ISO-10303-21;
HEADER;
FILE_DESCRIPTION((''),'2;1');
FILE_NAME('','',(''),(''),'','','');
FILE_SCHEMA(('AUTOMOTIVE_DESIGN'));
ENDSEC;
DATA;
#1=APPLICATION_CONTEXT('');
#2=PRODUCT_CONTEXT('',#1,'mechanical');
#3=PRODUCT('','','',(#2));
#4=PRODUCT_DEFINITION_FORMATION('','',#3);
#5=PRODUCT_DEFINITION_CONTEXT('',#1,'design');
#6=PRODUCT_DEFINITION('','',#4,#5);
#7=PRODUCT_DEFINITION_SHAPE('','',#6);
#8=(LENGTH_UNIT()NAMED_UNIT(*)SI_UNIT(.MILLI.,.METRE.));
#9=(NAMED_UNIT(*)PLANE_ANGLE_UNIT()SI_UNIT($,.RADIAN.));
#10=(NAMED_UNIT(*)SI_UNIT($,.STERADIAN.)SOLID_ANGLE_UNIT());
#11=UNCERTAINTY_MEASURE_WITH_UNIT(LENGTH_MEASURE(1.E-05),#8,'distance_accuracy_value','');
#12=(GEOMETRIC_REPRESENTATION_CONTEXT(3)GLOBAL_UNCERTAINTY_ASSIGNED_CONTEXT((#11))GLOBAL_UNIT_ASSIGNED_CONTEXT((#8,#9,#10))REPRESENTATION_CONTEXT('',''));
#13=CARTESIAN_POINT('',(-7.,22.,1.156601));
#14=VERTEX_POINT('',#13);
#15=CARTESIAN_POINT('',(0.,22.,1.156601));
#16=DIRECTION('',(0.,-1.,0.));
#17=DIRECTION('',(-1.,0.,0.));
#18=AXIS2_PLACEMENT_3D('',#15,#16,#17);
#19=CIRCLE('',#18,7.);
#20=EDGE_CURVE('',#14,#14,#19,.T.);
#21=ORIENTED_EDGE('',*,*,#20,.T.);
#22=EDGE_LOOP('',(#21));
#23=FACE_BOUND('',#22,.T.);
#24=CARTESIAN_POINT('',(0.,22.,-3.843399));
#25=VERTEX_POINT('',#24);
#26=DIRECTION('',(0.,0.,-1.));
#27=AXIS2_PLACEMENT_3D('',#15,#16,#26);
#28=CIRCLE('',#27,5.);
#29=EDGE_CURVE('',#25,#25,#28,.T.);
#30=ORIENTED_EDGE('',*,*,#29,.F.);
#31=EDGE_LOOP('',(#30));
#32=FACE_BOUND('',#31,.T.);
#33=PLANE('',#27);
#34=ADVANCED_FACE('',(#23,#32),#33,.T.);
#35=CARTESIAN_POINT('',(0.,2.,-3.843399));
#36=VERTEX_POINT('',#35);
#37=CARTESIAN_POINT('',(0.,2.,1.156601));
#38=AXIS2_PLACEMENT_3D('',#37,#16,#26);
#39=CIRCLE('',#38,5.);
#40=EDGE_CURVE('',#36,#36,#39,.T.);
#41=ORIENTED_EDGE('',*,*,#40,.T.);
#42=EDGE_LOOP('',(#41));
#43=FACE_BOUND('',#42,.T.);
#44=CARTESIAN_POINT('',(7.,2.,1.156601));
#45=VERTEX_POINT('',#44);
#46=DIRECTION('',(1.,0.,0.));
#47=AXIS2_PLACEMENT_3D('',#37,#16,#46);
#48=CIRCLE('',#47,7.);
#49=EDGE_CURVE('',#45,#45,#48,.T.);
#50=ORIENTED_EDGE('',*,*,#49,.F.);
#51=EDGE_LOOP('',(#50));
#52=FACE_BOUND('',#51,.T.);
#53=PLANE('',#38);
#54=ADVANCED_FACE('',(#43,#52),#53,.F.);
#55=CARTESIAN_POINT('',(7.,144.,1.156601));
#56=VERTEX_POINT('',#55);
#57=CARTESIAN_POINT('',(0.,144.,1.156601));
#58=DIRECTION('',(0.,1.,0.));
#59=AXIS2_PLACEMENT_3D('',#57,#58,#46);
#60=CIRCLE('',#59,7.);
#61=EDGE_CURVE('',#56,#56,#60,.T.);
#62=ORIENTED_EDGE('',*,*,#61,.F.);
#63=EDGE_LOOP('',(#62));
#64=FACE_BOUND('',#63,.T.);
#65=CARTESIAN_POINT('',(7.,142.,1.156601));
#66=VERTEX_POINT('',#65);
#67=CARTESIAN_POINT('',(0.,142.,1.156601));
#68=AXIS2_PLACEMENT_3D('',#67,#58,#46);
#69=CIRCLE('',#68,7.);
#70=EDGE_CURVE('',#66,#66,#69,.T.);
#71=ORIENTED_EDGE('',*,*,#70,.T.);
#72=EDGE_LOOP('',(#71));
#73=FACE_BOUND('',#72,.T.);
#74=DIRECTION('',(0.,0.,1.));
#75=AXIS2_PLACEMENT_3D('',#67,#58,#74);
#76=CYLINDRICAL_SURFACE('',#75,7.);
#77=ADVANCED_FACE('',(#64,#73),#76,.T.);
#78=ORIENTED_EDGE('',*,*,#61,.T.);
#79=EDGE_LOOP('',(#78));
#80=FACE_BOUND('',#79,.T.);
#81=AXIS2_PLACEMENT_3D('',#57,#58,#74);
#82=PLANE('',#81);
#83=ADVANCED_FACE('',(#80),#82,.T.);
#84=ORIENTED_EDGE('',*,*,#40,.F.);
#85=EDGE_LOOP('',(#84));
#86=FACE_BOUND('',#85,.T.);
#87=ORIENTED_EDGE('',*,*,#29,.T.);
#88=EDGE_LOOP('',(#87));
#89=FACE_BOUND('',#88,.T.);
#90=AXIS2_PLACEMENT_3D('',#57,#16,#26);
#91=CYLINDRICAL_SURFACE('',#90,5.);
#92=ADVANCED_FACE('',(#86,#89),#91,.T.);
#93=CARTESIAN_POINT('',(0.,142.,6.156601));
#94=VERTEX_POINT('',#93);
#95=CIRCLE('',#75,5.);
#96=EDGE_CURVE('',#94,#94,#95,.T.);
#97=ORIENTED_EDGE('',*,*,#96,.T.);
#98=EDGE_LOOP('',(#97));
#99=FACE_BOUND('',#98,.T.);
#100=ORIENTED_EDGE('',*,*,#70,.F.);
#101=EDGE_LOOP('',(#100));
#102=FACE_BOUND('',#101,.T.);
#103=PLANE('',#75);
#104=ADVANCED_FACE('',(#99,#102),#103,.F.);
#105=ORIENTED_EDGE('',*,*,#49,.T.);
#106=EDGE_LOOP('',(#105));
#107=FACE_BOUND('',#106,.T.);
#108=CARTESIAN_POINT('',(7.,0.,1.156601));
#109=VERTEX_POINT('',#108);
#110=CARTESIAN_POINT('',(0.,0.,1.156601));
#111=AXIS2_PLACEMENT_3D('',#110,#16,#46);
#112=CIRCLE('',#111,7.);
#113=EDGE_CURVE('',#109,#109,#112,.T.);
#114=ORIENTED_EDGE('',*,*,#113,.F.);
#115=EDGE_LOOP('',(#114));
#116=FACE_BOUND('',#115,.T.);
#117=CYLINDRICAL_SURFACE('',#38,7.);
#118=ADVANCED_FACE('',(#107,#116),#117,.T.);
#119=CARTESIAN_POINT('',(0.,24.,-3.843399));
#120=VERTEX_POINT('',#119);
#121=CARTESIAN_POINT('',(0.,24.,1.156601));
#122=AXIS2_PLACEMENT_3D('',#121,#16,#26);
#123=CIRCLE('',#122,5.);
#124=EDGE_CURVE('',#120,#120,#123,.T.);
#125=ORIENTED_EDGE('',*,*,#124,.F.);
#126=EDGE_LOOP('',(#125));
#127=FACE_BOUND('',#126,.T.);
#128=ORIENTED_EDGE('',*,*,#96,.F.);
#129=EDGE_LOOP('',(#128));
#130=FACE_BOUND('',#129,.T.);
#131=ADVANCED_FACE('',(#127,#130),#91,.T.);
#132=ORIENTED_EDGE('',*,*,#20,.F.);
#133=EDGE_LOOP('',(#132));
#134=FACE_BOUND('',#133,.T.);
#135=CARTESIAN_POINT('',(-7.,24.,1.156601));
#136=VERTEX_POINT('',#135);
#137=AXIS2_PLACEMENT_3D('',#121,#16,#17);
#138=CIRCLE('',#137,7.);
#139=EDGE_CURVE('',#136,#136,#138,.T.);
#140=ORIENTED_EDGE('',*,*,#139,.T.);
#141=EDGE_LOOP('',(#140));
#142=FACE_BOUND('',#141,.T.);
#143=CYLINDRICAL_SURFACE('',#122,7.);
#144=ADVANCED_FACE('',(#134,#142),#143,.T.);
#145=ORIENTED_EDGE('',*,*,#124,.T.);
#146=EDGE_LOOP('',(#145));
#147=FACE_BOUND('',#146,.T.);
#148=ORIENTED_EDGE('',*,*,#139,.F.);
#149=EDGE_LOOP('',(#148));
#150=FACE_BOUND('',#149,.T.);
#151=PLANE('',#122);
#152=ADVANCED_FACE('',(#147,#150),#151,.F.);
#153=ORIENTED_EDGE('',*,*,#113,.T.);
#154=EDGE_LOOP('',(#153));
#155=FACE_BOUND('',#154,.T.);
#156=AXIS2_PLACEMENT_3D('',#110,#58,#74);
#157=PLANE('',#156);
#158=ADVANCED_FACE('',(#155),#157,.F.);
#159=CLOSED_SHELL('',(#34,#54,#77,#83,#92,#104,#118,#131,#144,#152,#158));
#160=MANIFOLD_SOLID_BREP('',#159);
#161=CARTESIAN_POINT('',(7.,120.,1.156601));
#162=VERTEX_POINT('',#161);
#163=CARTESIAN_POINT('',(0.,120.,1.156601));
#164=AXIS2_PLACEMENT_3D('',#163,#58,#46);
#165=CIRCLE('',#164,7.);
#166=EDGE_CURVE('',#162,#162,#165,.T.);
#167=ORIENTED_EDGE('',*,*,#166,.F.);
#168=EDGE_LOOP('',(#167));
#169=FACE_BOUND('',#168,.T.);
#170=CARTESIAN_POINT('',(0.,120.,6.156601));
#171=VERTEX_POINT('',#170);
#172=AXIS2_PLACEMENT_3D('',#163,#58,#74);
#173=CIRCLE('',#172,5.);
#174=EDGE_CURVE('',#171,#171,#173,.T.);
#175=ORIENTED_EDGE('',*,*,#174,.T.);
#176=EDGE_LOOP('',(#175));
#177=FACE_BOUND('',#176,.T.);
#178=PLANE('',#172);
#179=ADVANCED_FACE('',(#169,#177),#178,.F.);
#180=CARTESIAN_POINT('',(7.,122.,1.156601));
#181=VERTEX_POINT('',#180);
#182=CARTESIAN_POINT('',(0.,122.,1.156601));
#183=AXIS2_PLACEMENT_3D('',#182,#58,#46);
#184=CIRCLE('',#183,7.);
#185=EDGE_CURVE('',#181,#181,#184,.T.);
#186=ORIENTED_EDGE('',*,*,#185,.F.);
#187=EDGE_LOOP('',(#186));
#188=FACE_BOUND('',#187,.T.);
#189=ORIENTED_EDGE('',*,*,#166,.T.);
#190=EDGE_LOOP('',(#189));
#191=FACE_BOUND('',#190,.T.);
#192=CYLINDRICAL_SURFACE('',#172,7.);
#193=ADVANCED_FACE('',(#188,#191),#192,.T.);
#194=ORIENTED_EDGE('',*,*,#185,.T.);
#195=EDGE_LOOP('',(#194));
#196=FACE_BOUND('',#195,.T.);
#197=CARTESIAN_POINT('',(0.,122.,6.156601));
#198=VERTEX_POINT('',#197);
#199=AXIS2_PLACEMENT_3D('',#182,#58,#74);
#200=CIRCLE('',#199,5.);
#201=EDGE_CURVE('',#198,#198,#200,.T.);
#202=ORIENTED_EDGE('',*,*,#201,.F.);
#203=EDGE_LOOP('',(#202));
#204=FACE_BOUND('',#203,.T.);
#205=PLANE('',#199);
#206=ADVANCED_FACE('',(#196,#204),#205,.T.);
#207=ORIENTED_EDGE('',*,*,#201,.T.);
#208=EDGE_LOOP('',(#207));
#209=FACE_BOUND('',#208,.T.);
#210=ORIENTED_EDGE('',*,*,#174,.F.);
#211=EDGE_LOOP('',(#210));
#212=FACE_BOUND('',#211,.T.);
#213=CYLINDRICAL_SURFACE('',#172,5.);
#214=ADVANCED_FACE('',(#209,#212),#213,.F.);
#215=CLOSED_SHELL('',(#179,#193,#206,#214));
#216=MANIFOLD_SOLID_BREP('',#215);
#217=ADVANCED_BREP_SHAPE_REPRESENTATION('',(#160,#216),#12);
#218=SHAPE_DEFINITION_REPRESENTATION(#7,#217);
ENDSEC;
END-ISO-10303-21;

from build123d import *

# Parameters (mm, degrees)
SKETCH_1_R        = 5
EXTRUDE_1_DEPTH   = 144
EXTRUDE_START     = -2
SKETCH_4_R        = 7
SKETCH_4_R_2      = 5
EXTRUDE_1_2_DEPTH = 2
SKETCH_5_R        = 7
SKETCH_5_R_2      = 5
EXTRUDE_2_DEPTH   = 2
EXTRUDE_START_2   = -22
SKETCH_6_R        = 7
SKETCH_6_R_2      = 5
EXTRUDE_3_DEPTH   = 2
SKETCH_7_R        = 7
SKETCH_7_R_2      = 5
EXTRUDE_4_DEPTH   = 2


with BuildPart() as part:
    # 草图1 → Extrude 1 (new body)
    with BuildSketch(Plane(origin=(0, 0, 0), x_dir=(1, 0, 0), z_dir=(0, 1, 0))):
        with Locations(Location((0, -1.156601006, 0), (0, 0, 270))):
            Circle(SKETCH_1_R)
    extrude(amount=EXTRUDE_1_DEPTH)

    # 草图4 → Extrude 1 2 (add)
    with BuildSketch(Plane(origin=(0, 144, 0), x_dir=(1, 0, 0), z_dir=(0, 1, 0)).offset(EXTRUDE_START)):
        with Locations((0, -1.156601006)):
            Circle(SKETCH_4_R)
        with Locations((0, -1.156601006)):
            Circle(SKETCH_4_R_2, mode=Mode.SUBTRACT)
    extrude(amount=EXTRUDE_1_2_DEPTH)

    # 草图5 → 拉伸-薄壁2 (add)
    with BuildSketch(Plane.XZ):
        with Locations((0, 1.156601006)):
            Circle(SKETCH_5_R)
        with Locations((0, 1.156601006)):
            Circle(SKETCH_5_R_2, mode=Mode.SUBTRACT)
    extrude(amount=-EXTRUDE_2_DEPTH)

    # 草图7 → 拉伸-薄壁4 (add)
    with BuildSketch(Plane(origin=(0, 0, 0), x_dir=(-1, 0, 0), z_dir=(0, -1, 0)).offset(EXTRUDE_START_2)):
        with Locations((0, -1.156601006)):
            Circle(SKETCH_7_R)
        with Locations((0, -1.156601006)):
            Circle(SKETCH_7_R_2, mode=Mode.SUBTRACT)
    extrude(amount=-EXTRUDE_4_DEPTH)


with BuildPart() as body_2:
    # 草图6 → 拉伸-薄壁3 (new body)
    with BuildSketch(Plane(origin=(0, 144, 0), x_dir=(1, 0, 0), z_dir=(0, 1, 0)).offset(EXTRUDE_START_2)):
        with Locations((0, -1.156601006)):
            Circle(SKETCH_6_R)
        with Locations((0, -1.156601006)):
            Circle(SKETCH_6_R_2, mode=Mode.SUBTRACT)
    extrude(amount=-EXTRUDE_3_DEPTH)


solid = Compound([part.part, body_2.part])
